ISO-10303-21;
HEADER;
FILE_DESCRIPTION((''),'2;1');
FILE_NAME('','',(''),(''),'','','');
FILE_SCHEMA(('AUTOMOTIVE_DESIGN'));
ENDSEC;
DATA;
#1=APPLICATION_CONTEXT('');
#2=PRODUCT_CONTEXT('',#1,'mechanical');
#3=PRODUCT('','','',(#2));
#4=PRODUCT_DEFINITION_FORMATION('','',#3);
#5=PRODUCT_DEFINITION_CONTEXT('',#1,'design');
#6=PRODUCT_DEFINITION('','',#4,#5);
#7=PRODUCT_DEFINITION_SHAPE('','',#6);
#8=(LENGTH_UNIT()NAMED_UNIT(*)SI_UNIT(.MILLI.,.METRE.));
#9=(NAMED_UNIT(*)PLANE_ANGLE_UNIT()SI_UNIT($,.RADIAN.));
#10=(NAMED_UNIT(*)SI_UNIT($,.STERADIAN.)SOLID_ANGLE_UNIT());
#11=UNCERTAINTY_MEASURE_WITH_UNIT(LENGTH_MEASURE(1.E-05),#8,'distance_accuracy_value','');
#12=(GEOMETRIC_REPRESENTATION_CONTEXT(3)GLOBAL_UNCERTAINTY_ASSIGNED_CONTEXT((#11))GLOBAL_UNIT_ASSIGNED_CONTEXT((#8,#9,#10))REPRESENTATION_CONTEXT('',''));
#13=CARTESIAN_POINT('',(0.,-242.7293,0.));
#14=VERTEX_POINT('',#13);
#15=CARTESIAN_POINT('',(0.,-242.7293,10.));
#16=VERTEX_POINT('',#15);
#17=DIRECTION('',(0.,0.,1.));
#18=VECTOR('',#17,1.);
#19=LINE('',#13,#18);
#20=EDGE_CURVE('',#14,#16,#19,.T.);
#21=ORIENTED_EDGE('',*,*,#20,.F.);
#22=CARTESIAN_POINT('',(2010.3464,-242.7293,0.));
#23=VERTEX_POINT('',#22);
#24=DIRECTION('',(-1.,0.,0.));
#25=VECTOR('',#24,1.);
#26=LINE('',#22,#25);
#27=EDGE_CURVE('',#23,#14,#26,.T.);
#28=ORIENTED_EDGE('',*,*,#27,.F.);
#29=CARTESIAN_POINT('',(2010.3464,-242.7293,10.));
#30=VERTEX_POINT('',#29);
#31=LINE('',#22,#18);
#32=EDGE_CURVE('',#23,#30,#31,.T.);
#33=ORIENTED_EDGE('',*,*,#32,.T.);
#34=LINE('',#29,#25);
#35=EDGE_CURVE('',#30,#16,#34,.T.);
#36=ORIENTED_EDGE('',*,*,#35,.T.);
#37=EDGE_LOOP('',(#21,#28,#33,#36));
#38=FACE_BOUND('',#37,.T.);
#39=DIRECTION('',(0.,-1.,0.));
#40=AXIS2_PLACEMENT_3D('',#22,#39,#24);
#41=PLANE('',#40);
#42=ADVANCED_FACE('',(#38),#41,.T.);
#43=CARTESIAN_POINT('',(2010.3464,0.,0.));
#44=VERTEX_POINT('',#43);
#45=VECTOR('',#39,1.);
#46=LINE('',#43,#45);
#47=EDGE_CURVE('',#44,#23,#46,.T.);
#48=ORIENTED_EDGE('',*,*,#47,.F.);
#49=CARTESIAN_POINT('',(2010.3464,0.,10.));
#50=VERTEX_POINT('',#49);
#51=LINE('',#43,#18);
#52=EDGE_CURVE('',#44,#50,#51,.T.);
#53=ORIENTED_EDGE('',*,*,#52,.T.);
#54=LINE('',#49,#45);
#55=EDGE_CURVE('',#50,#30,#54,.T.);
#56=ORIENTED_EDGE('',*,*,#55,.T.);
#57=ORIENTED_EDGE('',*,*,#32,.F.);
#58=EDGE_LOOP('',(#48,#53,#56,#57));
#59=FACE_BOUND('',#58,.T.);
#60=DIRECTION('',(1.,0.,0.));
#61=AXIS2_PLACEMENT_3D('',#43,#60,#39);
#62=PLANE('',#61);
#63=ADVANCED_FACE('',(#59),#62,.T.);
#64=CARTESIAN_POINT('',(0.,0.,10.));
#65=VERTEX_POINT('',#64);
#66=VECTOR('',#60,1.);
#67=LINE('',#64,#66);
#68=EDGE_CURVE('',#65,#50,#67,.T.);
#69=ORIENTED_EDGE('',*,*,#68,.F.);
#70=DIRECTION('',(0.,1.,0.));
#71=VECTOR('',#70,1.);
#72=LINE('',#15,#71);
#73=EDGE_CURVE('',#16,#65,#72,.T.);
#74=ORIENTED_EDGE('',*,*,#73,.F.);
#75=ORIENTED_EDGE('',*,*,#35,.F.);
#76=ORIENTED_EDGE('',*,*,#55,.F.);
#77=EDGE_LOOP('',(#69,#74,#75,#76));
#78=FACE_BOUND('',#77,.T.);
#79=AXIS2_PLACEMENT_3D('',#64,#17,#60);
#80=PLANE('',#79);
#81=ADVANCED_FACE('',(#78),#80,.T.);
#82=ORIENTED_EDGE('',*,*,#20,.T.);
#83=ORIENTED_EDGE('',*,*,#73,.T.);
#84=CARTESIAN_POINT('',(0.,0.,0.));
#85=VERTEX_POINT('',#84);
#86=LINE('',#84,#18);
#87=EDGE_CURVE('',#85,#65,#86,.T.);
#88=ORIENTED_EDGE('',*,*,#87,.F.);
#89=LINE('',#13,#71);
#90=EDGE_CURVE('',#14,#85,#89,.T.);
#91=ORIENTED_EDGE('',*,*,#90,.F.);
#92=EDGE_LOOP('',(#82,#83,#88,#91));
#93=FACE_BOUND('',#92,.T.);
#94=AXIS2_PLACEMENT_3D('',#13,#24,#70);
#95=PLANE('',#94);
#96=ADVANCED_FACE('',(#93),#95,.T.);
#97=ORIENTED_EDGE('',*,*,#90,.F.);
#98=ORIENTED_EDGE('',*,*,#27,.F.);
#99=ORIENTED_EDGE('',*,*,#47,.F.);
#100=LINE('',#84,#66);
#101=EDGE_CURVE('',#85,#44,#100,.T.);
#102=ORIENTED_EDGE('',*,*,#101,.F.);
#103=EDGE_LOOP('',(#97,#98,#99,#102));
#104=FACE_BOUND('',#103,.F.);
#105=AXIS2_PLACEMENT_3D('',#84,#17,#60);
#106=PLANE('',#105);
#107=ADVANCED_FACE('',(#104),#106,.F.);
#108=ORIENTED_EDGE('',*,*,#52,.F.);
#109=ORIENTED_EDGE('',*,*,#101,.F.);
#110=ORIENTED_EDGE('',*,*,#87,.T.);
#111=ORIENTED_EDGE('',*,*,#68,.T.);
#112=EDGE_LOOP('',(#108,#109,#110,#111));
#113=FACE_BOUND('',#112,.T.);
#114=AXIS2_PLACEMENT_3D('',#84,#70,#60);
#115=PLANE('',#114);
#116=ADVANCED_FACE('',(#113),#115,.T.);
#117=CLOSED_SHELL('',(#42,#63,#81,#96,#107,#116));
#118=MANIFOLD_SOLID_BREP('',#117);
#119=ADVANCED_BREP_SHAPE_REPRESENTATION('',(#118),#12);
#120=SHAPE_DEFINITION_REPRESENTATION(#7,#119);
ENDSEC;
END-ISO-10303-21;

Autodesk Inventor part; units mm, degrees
ref_plane "YZ Plane" through (0, 0, 0) normal (1, 0, 0) x (0, 1, 0)
ref_plane "XZ Plane" through (0, 0, 0) normal (0, 1, 0) x (-1, 0, 0)
ref_plane "XY Plane" through (0, 0, 0) normal (0, 0, 1) x (1, 0, 0)
ref_plane "РабПлоскость1" through (0, 0, 0) normal (0, 0, 1) x (1, 0, 0)
sketch "Эскиз1" plane through (0, 0, 0) normal (0, 0, 1) x (1, 0, 0)
  line L0 (0, 0) -> (2010.3464, 0)
  line L1 (2010.3464, 0) -> (2010.3464, -242.7293)
  line L2 (2010.3464, -242.7293) -> (0, -242.7293)
  line L3 (0, -242.7293) -> (0, 0)
extrude "Выдавливание1" add sketch "Эскиз1" along normal blind 10
properties part number "низочек"
